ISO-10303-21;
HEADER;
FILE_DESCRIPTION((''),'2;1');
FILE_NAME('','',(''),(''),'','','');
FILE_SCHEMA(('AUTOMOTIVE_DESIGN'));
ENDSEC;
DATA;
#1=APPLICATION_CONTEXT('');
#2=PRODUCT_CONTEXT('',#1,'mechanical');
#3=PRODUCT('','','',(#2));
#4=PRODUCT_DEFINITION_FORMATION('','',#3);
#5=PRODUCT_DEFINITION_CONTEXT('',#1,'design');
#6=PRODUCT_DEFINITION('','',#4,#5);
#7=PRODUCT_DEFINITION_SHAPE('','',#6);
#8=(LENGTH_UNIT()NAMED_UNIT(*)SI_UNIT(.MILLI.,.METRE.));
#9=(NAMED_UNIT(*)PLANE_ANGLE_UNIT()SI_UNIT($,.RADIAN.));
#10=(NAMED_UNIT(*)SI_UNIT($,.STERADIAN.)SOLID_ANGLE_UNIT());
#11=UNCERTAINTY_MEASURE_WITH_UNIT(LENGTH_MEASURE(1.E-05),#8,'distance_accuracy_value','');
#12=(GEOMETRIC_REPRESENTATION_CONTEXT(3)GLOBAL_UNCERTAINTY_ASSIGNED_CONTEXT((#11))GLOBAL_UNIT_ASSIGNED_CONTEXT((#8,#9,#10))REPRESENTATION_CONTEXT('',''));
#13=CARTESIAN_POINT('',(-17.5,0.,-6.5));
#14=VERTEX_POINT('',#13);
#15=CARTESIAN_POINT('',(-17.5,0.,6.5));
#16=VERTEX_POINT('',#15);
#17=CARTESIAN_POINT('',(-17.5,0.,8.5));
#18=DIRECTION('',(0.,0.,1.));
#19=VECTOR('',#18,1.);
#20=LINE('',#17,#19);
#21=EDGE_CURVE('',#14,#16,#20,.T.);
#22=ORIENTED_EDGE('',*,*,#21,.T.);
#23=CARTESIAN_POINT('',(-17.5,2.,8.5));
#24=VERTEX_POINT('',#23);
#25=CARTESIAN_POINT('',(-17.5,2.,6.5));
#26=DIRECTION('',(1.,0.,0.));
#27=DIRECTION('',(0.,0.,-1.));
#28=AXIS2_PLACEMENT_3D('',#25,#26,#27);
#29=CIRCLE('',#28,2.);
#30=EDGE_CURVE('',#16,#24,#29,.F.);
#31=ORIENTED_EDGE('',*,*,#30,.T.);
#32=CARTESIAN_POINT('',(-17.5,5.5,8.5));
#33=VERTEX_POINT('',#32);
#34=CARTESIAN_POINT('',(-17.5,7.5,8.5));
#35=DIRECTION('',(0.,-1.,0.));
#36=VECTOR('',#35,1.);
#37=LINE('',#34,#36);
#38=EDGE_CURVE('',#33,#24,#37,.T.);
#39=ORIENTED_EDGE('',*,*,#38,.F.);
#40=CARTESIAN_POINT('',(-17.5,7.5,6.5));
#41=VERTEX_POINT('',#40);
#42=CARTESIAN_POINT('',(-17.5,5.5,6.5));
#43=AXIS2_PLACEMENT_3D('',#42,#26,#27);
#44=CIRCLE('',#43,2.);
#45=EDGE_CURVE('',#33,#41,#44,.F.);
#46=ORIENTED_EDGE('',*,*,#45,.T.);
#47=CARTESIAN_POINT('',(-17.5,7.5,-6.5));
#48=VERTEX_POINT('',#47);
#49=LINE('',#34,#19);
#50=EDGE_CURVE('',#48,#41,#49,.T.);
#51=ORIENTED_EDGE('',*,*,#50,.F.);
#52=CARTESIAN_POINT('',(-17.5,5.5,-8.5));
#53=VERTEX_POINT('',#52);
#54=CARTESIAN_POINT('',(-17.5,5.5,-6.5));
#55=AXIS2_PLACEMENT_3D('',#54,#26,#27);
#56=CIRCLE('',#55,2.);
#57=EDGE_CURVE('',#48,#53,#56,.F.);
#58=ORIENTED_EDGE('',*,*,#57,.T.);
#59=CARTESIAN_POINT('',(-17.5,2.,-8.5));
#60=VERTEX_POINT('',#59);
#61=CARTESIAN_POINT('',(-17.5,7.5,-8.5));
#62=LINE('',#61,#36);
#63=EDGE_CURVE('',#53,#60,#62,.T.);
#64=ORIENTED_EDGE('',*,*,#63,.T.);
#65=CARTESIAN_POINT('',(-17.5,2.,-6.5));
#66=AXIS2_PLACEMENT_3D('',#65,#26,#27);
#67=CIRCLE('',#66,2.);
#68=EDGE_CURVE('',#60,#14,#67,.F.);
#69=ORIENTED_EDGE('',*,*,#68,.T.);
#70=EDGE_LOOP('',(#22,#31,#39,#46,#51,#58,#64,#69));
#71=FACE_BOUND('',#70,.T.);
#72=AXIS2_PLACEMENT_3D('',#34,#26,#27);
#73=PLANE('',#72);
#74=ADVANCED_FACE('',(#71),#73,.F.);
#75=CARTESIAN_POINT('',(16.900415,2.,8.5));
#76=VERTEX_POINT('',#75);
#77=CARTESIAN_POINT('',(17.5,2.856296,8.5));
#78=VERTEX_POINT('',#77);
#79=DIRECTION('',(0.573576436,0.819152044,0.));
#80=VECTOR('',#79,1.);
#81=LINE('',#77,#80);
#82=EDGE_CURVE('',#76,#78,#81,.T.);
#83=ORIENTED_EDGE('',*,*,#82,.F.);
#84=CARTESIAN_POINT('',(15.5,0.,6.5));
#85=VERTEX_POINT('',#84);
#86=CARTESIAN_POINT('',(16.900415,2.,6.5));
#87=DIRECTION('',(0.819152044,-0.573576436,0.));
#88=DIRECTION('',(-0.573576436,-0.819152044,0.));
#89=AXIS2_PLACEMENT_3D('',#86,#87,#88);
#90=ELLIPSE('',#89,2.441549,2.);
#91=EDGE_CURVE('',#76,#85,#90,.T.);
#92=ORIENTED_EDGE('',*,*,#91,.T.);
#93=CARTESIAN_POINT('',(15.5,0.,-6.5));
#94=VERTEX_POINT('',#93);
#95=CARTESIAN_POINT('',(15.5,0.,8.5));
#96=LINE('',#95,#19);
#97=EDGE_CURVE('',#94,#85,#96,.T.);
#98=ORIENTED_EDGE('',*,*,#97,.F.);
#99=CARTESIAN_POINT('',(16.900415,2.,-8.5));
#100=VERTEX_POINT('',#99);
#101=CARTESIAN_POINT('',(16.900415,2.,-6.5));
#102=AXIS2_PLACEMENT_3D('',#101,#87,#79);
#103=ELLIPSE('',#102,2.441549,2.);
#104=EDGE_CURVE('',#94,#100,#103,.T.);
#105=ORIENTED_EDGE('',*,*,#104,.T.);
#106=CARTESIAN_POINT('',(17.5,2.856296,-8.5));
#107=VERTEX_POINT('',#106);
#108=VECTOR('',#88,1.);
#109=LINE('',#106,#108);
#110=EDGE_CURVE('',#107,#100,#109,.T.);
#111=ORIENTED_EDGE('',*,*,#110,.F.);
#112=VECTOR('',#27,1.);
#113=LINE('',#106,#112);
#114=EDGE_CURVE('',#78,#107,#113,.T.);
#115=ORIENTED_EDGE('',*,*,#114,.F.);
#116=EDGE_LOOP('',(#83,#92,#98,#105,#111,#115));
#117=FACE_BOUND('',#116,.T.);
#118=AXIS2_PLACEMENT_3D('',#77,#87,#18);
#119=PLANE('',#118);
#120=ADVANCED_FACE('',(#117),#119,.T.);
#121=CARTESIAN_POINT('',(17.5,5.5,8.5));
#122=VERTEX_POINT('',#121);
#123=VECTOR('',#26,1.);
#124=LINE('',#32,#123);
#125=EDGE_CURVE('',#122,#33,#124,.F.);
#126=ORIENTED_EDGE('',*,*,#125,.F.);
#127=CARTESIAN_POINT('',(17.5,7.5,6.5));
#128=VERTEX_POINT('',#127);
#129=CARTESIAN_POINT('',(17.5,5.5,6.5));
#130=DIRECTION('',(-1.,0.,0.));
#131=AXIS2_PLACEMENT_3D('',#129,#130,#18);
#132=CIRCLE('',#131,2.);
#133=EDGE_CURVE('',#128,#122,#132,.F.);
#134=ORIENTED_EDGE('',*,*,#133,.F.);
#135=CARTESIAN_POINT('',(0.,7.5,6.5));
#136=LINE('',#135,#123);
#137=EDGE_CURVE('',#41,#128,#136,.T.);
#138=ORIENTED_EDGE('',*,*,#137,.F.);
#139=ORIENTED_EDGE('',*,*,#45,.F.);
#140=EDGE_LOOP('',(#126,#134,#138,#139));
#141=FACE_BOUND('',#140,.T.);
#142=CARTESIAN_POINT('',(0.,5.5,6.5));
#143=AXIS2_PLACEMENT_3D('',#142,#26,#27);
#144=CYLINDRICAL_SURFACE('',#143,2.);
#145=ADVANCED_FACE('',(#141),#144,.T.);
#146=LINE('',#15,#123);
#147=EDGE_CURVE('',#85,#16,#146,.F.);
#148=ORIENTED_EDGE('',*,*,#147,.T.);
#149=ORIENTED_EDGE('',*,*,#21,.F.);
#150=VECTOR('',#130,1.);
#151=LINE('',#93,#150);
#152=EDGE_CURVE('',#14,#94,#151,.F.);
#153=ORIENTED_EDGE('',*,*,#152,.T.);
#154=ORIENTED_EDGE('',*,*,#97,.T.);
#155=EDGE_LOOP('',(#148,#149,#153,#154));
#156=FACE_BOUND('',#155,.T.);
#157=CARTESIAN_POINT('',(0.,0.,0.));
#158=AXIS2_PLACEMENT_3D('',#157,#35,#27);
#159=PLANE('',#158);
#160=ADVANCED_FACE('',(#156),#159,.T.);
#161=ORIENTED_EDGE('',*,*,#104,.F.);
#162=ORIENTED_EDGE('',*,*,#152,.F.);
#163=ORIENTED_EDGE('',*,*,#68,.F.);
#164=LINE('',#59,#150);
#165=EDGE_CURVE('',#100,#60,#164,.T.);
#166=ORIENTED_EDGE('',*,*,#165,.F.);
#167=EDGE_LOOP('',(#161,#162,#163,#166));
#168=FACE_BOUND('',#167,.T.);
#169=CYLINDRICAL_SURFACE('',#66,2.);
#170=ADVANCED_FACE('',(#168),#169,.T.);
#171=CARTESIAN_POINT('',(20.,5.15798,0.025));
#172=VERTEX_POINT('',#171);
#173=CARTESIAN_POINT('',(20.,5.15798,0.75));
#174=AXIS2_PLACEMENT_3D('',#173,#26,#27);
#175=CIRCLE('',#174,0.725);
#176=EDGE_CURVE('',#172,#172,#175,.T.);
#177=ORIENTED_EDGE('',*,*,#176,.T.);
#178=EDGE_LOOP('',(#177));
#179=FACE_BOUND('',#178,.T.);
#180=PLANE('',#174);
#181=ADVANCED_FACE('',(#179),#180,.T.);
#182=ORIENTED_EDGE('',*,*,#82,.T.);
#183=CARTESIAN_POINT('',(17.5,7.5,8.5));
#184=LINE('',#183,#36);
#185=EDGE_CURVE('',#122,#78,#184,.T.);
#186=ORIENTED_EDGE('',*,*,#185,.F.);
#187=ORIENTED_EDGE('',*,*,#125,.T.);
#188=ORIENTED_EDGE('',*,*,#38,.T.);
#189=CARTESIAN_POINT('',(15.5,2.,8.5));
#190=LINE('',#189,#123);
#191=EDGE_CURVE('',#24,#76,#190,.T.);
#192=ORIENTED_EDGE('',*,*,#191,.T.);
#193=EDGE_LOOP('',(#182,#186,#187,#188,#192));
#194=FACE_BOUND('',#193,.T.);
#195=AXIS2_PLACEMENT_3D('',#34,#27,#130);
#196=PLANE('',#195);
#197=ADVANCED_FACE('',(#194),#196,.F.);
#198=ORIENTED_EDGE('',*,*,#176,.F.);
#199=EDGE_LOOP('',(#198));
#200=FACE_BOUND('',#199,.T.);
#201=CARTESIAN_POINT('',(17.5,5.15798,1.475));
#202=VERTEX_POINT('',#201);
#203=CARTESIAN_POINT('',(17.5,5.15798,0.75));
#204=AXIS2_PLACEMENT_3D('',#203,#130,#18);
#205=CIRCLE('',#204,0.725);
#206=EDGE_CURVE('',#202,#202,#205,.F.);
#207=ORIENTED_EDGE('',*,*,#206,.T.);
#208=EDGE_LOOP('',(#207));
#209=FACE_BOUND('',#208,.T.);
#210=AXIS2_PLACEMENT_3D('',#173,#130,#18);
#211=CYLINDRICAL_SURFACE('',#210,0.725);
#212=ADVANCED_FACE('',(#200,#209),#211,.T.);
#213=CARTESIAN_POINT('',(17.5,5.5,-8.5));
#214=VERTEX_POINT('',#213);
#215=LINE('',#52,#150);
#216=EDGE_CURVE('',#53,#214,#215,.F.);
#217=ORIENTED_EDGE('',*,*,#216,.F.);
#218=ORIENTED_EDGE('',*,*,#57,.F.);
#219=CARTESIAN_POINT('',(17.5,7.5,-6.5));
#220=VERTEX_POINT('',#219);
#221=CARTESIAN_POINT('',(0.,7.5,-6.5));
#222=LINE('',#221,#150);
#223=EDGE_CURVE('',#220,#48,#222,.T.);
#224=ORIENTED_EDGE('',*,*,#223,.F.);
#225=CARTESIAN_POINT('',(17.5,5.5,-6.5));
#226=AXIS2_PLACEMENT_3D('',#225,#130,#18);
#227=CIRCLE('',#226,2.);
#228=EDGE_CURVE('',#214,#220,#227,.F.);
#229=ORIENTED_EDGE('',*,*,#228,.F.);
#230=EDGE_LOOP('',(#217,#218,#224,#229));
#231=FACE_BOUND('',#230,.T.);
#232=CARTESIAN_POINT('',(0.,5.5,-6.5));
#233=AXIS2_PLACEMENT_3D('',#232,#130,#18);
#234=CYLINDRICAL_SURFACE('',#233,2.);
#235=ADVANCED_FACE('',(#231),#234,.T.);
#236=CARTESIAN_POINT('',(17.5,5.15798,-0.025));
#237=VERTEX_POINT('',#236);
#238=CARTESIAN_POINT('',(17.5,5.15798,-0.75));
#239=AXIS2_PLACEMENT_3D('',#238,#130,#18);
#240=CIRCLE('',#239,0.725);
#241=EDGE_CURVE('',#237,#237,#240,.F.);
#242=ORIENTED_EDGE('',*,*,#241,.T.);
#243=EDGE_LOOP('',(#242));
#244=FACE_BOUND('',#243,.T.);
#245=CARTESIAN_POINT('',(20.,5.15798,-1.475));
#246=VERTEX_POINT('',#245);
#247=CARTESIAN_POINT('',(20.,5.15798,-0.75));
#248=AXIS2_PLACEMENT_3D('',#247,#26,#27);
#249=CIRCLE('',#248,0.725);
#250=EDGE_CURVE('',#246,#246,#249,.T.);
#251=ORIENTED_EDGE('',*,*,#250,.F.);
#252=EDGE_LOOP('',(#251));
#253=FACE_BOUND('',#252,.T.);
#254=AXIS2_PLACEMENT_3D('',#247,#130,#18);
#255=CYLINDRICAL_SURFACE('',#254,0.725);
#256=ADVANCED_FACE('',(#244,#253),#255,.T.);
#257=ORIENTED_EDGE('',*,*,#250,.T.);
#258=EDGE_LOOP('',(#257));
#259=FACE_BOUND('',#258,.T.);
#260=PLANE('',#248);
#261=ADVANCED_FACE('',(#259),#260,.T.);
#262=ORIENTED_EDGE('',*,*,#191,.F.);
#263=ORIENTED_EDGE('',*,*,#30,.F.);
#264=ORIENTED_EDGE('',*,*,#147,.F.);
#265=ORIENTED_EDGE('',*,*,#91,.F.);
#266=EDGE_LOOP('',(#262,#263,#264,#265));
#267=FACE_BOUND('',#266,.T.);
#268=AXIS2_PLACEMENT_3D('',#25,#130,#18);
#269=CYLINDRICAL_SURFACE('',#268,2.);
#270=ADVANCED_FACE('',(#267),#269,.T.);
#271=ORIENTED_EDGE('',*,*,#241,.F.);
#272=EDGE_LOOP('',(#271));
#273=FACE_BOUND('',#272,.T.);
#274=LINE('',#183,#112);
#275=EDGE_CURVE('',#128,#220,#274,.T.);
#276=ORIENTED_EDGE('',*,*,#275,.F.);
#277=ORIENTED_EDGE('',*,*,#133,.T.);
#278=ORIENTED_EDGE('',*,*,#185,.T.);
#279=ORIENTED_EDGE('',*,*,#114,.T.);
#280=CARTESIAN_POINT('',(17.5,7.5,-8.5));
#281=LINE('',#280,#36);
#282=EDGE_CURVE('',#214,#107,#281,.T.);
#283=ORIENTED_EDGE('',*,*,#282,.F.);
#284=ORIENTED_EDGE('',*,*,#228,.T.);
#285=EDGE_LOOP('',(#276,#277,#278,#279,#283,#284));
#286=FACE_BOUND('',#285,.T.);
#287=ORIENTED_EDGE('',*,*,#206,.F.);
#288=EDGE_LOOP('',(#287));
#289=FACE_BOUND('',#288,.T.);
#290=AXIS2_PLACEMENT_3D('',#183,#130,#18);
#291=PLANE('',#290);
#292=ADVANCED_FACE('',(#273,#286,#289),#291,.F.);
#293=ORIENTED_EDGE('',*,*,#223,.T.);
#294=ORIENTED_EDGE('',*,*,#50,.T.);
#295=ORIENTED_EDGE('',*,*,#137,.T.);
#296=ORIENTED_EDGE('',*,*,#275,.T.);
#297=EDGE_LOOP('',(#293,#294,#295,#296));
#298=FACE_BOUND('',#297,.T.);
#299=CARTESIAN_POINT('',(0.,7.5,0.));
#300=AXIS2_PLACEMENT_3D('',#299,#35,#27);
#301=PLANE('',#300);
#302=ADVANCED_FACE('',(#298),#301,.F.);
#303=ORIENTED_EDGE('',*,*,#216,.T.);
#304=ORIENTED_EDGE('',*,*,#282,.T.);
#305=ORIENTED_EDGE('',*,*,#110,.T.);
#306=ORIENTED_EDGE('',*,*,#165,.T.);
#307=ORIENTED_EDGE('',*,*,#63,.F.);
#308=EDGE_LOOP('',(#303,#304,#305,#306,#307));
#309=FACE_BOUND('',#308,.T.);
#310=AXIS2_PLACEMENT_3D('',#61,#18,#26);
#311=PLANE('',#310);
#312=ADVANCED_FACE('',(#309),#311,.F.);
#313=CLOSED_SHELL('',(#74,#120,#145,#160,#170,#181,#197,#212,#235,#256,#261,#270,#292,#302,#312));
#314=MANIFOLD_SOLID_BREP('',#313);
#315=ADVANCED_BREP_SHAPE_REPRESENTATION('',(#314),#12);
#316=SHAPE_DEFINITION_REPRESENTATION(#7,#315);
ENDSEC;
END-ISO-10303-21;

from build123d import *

# Parameters (mm, degrees)
SKETCH1_W           = 35
SKETCH1_H           = 17
BOSS_EXTRUDE1_DEPTH = 7.5
CHAMFER1_SIZE       = 2
CHAMFER1_SIZE2      = 2.856296013
FILLET1_R           = 2
SKETCH3_R           = 0.725
BOSS_EXTRUDE2_DEPTH = 2.5


with BuildPart() as part:
    # Sketch1 → Boss-Extrude1 (new body)
    with BuildSketch(Plane(origin=(0, 0, 0), x_dir=(1, 0, 0), z_dir=(0, 1, 0))):
        Rectangle(SKETCH1_W, SKETCH1_H)
    extrude(amount=BOSS_EXTRUDE1_DEPTH)

    # Chamfer1
    chamfer1_edges = [part.edges().sort_by_distance(p)[0] for p in [
        (17.5, 0, 0),
    ]]
    chamfer1_side = [part.faces().sort_by_distance(p)[0] for p in [
        (0, 0, 0),
    ]]
    chamfer(chamfer1_edges, length=CHAMFER1_SIZE, length2=CHAMFER1_SIZE2, reference=chamfer1_side[0])

    # Fillet1
    fillet1_edges = [part.edges().sort_by_distance(p)[0] for p in [
        (-1, 0, -8.5),
        (0, 7.5, 8.5),
        (-1, 0, 8.5),
        (0, 7.5, -8.5),
    ]]
    fillet(fillet1_edges, radius=FILLET1_R)

    # Sketch3 → Boss-Extrude2 (add)
    with BuildSketch(Plane(origin=(17.5, 0, 0), x_dir=(0, 0, -1), z_dir=(1, 0, 0))):
        with Locations(Location((-0.75, 5.157979839, 0), (0, 0, 180))):
            Circle(SKETCH3_R)
        with Locations(Location((0.75, 5.157979839, 0), (0, 0, 180))):
            Circle(SKETCH3_R)
    extrude(amount=BOSS_EXTRUDE2_DEPTH)


solid = part.part
